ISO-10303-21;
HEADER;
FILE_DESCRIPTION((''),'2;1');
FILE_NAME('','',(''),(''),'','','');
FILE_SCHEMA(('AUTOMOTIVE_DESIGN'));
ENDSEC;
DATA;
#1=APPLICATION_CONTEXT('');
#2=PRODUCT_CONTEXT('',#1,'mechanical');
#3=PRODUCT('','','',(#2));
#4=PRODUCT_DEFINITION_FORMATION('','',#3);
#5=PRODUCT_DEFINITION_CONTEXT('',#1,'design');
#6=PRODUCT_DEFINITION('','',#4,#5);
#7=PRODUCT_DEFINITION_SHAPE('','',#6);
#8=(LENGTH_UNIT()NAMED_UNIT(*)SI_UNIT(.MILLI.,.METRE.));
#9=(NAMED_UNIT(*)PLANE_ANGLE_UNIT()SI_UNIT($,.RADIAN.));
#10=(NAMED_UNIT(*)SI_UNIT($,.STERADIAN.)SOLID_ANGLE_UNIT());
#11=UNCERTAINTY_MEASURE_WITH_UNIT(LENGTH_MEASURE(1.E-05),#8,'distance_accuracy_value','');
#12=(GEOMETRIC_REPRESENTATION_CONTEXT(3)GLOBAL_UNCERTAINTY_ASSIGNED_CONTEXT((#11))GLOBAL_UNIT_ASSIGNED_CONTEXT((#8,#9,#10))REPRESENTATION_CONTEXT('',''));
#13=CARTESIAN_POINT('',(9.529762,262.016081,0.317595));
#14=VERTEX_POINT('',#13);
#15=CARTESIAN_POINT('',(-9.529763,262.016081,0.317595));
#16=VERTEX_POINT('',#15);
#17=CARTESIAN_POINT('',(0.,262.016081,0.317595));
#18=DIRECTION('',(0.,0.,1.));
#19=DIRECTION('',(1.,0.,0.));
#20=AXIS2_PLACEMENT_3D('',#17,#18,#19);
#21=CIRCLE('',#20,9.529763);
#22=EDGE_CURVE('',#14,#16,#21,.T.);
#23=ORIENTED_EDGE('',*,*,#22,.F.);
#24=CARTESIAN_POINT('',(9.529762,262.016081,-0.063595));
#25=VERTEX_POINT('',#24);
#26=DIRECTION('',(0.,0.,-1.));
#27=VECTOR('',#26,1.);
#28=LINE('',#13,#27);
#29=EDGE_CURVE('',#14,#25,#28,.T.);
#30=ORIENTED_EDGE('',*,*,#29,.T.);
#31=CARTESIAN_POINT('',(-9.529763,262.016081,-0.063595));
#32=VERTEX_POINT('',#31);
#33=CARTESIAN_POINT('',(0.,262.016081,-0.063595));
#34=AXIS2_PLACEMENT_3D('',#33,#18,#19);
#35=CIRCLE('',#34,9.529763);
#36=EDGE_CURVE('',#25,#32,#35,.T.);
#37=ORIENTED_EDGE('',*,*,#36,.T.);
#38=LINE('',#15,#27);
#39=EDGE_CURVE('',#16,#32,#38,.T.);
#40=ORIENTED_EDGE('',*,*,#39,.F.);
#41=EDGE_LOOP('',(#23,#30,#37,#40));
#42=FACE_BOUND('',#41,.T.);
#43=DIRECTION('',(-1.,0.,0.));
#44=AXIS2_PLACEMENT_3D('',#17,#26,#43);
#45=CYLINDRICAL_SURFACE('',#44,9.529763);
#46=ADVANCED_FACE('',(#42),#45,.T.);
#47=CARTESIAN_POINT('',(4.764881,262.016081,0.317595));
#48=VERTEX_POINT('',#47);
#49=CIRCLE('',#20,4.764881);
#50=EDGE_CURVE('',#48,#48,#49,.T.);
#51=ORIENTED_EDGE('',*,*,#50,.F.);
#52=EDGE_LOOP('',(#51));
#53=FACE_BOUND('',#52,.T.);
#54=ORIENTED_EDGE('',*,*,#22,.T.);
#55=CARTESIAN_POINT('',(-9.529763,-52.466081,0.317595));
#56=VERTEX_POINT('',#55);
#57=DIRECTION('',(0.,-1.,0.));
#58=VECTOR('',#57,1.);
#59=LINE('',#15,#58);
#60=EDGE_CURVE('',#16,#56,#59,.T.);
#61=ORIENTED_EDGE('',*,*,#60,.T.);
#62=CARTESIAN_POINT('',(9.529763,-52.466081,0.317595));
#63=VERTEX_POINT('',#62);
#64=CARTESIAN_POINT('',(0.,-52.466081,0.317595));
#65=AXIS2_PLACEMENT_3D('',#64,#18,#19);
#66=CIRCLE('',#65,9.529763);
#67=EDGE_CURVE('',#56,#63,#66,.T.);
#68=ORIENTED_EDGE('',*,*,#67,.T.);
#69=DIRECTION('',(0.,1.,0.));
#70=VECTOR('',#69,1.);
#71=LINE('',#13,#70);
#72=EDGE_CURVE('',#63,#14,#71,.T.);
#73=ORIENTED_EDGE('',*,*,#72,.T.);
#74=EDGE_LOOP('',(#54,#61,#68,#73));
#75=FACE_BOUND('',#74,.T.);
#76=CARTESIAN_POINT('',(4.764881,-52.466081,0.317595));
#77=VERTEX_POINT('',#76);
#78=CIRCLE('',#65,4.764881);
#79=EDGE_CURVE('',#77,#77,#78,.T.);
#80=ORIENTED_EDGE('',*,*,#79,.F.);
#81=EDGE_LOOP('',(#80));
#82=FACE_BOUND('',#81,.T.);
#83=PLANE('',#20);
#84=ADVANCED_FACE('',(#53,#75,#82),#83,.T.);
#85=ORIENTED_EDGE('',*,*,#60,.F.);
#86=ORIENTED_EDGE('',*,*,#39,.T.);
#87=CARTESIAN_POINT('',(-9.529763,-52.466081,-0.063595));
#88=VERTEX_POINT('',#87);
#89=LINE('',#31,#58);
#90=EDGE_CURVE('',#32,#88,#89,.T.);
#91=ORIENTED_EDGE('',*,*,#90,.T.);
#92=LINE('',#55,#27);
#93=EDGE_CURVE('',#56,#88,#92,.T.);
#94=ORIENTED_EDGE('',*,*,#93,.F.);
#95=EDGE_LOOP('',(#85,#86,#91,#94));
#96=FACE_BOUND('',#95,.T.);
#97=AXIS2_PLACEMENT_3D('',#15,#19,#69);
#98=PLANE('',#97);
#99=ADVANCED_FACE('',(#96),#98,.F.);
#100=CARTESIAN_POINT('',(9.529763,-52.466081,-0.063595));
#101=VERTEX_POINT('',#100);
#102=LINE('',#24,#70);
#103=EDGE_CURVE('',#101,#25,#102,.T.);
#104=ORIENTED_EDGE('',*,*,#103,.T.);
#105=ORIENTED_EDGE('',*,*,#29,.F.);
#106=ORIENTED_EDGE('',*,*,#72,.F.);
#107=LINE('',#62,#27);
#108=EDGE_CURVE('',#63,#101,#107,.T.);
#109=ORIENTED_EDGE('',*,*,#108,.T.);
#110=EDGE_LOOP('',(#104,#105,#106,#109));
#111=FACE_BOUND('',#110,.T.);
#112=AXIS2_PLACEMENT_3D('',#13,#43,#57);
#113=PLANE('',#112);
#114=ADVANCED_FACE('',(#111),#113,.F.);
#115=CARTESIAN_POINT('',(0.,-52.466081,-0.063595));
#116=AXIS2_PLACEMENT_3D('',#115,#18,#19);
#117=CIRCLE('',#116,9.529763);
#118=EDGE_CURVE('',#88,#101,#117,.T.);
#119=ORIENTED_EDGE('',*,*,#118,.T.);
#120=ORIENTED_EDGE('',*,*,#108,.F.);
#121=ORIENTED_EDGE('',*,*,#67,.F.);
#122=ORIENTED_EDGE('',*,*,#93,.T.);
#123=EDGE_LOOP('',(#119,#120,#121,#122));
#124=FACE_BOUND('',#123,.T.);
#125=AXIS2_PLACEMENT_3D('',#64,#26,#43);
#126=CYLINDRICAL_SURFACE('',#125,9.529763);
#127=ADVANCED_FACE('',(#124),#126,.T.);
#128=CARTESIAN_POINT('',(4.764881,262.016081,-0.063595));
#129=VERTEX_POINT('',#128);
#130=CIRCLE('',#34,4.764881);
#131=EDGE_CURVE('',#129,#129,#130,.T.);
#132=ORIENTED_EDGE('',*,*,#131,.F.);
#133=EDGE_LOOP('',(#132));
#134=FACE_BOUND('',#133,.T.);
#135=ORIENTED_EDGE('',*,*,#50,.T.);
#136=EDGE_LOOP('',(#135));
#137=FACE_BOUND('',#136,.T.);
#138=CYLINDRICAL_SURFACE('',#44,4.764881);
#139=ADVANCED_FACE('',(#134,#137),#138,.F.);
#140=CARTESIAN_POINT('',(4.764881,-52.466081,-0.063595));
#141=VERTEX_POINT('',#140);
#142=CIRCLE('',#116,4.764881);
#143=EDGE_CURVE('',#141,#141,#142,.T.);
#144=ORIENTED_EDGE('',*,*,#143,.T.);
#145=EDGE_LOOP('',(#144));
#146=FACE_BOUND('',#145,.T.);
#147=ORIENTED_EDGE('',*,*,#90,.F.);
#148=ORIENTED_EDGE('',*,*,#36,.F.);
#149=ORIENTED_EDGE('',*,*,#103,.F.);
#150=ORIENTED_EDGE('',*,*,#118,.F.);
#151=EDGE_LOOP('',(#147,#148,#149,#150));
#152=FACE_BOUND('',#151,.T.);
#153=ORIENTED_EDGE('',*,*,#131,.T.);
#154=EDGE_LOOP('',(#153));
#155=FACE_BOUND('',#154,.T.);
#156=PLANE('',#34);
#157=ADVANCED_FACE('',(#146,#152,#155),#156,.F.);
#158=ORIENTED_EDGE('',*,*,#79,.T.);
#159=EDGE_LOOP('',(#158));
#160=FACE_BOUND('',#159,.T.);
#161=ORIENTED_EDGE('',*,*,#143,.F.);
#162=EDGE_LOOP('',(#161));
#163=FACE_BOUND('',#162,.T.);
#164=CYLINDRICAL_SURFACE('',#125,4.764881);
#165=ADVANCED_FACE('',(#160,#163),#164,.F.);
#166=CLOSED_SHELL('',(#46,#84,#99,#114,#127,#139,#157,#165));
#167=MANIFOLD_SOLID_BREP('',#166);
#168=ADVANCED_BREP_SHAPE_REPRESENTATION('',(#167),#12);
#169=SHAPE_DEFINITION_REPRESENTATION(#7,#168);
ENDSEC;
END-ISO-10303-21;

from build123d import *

# Parameters (mm, degrees)
SKETCH2_R           = 3.175
BOSS_EXTRUDE1_DEPTH = 0.254
SCALE1_SCALE        = 1.5
SCALE3_SCALE        = 1.5
SCALE5_SCALE        = 0.667


with BuildPart() as part:
    # Sketch2 → Boss-Extrude1 (new body)
    with BuildSketch(Plane.XY):
        with BuildLine():
            Line((6.35, 209.55), (6.35, 0))
            ThreePointArc((6.35, 0), (0, -6.35), (-6.35, 0))
            Line((-6.35, 0), (-6.35, 209.55))
            ThreePointArc((-6.35, 209.55), (0, 215.9), (6.35, 209.55))
        make_face()
        with Locations((0, 209.55)):
            Circle(SKETCH2_R, mode=Mode.SUBTRACT)
        Circle(SKETCH2_R, mode=Mode.SUBTRACT)
    extrude(amount=BOSS_EXTRUDE1_DEPTH)


with BuildPart() as part_1:
    # Scale1: scaled about (0, 104.775, 0.127)
    add(part.part.scale(SCALE1_SCALE).moved(Location((0, -52.3875, -0.0635))))


with BuildPart() as part_2:
    # Scale3: scaled about (0, 104.775, 0.127)
    add(part_1.part.scale(SCALE3_SCALE).moved(Location((0, -52.3875, -0.0635))))


with BuildPart() as part_3:
    # Scale5: scaled about (0, 104.775, 0.127)
    add(part_2.part.scale(SCALE5_SCALE).moved(Location((0, 34.890075, 0.042291))))


solid = part_3.part
